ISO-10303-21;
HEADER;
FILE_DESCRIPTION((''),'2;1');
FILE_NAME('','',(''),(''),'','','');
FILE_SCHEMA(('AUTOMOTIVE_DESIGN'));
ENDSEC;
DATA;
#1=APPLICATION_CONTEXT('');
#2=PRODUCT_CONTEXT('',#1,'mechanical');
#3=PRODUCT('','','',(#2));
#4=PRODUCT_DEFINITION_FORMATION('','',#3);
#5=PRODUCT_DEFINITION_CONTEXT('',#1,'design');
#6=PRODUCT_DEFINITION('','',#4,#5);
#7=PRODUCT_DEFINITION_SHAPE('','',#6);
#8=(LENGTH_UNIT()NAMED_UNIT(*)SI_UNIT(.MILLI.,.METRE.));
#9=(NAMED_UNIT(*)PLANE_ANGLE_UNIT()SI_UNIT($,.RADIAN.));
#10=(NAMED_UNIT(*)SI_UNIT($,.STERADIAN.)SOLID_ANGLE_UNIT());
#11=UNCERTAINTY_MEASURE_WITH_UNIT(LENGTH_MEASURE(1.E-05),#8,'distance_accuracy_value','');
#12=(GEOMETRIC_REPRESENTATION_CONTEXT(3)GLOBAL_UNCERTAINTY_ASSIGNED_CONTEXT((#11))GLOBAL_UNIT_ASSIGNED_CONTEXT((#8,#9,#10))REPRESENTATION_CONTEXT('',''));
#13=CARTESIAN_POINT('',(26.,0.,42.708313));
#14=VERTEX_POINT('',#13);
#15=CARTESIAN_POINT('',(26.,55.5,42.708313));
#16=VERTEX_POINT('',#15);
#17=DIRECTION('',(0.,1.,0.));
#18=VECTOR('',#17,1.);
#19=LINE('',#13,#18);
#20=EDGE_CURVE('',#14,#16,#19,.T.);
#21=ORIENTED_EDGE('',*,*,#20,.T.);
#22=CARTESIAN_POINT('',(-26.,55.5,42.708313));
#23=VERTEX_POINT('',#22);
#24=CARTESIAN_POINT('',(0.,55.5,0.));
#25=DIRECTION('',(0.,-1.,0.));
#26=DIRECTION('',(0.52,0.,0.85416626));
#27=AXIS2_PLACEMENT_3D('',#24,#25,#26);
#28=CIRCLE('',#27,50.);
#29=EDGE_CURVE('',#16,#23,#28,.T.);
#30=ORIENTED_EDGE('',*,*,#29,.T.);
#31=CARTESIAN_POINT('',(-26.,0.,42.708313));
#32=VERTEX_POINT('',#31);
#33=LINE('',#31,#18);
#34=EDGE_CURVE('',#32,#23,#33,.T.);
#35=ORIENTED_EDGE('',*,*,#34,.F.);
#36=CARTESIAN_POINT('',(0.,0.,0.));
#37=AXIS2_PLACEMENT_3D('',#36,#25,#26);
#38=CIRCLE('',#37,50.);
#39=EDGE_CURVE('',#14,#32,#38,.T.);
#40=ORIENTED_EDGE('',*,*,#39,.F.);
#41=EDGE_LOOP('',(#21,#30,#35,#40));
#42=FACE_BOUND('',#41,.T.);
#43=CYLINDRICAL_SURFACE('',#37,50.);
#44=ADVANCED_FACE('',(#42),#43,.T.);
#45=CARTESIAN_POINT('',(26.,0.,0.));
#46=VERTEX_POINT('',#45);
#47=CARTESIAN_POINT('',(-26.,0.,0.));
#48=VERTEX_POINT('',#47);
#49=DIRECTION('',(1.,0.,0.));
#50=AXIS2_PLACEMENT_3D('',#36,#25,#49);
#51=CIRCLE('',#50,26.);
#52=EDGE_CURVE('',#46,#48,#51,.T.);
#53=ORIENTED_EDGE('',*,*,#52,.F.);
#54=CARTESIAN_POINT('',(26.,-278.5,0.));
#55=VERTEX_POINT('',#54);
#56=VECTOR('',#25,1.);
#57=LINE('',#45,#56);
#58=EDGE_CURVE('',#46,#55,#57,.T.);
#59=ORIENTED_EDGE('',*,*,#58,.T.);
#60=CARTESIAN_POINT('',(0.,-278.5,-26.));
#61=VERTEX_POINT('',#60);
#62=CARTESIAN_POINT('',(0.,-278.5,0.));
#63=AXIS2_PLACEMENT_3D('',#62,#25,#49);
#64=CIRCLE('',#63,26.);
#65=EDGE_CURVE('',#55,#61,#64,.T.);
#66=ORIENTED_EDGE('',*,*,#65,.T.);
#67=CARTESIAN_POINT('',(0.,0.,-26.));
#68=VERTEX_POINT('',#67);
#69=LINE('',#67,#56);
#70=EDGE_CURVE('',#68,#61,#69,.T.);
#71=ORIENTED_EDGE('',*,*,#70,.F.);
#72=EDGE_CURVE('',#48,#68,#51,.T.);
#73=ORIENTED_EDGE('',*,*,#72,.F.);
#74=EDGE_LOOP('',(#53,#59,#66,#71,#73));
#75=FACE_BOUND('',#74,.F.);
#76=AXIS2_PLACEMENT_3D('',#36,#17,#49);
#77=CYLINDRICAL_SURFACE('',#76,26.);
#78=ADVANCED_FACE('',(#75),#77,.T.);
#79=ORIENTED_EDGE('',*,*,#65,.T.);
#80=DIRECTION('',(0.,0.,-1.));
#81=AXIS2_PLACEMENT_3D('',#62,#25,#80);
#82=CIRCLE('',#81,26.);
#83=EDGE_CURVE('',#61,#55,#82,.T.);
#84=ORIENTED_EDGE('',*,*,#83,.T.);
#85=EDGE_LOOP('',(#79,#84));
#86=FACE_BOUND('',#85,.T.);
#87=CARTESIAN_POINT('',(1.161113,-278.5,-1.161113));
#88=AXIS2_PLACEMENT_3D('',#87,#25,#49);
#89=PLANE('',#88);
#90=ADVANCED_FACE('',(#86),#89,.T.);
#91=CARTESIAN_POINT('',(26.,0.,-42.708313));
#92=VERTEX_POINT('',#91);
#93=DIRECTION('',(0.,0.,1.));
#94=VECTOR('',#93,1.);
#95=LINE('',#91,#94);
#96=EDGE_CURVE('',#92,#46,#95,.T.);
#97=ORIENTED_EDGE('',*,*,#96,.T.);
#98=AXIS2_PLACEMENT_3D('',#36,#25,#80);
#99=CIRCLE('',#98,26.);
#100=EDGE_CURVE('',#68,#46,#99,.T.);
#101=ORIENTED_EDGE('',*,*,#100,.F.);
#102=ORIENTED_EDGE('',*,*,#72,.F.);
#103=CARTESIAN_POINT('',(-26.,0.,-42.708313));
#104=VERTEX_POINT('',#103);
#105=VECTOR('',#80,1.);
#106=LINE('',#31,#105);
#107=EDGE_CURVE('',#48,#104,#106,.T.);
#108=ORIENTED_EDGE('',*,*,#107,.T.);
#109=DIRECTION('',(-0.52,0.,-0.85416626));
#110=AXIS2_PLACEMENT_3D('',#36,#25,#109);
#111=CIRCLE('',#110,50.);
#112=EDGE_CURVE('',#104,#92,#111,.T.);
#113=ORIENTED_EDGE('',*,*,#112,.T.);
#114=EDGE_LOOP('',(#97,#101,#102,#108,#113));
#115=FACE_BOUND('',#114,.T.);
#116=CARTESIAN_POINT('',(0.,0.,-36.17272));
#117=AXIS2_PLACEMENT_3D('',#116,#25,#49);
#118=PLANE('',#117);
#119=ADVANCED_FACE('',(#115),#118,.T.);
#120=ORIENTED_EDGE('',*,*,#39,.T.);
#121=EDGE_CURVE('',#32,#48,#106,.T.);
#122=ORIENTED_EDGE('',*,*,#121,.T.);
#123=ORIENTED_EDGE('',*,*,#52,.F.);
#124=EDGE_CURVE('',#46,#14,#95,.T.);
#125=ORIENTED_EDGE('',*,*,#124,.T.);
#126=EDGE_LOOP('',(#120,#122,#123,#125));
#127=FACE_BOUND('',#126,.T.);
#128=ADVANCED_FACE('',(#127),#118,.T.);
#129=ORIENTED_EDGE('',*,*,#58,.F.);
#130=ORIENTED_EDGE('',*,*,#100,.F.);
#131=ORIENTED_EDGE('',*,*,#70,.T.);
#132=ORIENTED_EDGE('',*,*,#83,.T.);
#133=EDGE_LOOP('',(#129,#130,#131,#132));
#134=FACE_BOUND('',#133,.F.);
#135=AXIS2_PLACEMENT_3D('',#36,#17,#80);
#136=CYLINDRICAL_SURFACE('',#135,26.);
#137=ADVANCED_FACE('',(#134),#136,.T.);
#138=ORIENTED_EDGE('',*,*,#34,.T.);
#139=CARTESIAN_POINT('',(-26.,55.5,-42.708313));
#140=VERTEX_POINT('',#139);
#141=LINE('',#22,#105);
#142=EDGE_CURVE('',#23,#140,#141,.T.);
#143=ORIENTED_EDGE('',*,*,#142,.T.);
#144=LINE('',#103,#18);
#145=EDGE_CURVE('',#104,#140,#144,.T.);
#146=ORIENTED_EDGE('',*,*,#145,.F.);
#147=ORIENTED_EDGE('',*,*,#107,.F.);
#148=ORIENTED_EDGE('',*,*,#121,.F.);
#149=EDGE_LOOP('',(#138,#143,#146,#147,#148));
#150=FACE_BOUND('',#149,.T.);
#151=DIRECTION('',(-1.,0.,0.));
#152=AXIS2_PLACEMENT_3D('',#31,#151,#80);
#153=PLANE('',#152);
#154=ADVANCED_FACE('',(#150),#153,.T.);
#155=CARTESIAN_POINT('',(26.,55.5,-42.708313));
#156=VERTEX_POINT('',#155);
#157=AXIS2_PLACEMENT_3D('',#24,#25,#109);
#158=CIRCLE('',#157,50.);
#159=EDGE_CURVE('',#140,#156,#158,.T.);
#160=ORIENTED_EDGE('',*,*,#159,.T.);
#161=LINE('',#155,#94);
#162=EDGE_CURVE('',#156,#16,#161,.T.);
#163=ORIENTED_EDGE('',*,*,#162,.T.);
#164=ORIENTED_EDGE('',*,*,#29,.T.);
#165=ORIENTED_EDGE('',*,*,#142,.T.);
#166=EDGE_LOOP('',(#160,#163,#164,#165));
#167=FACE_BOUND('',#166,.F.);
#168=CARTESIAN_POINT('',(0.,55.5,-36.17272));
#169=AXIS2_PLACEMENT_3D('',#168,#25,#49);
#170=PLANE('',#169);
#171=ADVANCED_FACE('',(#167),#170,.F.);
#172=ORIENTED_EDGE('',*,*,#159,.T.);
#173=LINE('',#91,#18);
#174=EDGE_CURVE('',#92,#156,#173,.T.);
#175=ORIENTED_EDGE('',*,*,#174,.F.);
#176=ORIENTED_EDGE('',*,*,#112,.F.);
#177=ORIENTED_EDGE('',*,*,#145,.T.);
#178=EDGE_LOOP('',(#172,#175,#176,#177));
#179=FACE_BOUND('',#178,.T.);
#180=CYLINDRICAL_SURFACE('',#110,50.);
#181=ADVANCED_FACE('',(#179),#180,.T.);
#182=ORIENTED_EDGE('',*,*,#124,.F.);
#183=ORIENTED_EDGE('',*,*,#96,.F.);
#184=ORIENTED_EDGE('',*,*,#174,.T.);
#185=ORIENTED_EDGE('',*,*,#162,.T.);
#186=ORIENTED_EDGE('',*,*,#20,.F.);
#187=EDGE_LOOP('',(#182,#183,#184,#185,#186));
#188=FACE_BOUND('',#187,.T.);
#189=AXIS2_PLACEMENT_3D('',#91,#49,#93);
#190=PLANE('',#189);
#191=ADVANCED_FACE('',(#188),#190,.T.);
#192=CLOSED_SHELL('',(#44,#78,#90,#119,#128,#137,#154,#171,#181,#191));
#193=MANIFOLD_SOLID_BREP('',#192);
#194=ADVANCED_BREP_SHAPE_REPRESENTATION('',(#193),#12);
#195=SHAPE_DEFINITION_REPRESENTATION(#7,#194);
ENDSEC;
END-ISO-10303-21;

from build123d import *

# Parameters (mm, degrees)
F1_DEPTH = 278.5
F2_DEPTH = 55.5


with BuildPart() as f1:
    # F0 (on Front) → F1 (new body)
    with BuildSketch(Plane.XZ):
        with BuildLine():
            ThreePointArc((-26, -2.27e-08), (-18.3847763028, -18.3847763189), (0, -26))
            ThreePointArc((0, -26), (18.3847763109, -18.3847763109), (26, 0))
            ThreePointArc((26, 0), (18.384776305, 18.3847763167), (-1.64e-08, 26))
            ThreePointArc((-1.64e-08, 26), (-18.3847763247, 18.384776297), (-26, -2.27e-08))
        make_face()
    extrude(amount=F1_DEPTH)

    # F0 (on Front) → F2 (join)
    with BuildSketch(Plane.XZ):
        with BuildLine():
            Line((26, -42.7083130081), (26, -26))
            Line((26, -26), (0, -26))
            Line((0, -26), (-26, -26))
            Line((-26, -26), (-26, -42.7083130081))
            ThreePointArc((-26, -42.7083130081), (0, -50), (26, -42.7083130081))
        make_face()
        with BuildLine():
            Line((0, -26), (26, -26))
            Line((26, -26), (26, 0))
            ThreePointArc((26, 0), (18.3847763109, -18.3847763109), (0, -26))
        make_face()
        with BuildLine():
            Line((-26, -26), (0, -26))
            ThreePointArc((0, -26), (-18.3847763028, -18.3847763189), (-26, -2.27e-08))
            Line((-26, -2.27e-08), (-26, -26))
        make_face()
        with BuildLine():
            ThreePointArc((-26, -2.27e-08), (-18.3847763028, -18.3847763189), (0, -26))
            ThreePointArc((0, -26), (18.3847763109, -18.3847763109), (26, 0))
            ThreePointArc((26, 0), (18.384776305, 18.3847763167), (-1.64e-08, 26))
            ThreePointArc((-1.64e-08, 26), (-18.3847763247, 18.384776297), (-26, -2.27e-08))
        make_face()
        with BuildLine():
            ThreePointArc((-1.64e-08, 26), (18.384776305, 18.3847763167), (26, 0))
            Line((26, 0), (26, 26))
            Line((26, 26), (-1.64e-08, 26))
        make_face()
        with BuildLine():
            Line((-26, 26), (-26, -2.27e-08))
            ThreePointArc((-26, -2.27e-08), (-18.3847763247, 18.384776297), (-1.64e-08, 26))
            Line((-1.64e-08, 26), (-26, 26))
        make_face()
        with BuildLine():
            Line((-1.64e-08, 26), (26, 26))
            Line((26, 26), (26, 42.7083130081))
            ThreePointArc((26, 42.7083130081), (0, 50), (-26, 42.7083130081))
            Line((-26, 42.7083130081), (-26, 26))
            Line((-26, 26), (-1.64e-08, 26))
        make_face()
    extrude(amount=-F2_DEPTH)


solid = f1.part
